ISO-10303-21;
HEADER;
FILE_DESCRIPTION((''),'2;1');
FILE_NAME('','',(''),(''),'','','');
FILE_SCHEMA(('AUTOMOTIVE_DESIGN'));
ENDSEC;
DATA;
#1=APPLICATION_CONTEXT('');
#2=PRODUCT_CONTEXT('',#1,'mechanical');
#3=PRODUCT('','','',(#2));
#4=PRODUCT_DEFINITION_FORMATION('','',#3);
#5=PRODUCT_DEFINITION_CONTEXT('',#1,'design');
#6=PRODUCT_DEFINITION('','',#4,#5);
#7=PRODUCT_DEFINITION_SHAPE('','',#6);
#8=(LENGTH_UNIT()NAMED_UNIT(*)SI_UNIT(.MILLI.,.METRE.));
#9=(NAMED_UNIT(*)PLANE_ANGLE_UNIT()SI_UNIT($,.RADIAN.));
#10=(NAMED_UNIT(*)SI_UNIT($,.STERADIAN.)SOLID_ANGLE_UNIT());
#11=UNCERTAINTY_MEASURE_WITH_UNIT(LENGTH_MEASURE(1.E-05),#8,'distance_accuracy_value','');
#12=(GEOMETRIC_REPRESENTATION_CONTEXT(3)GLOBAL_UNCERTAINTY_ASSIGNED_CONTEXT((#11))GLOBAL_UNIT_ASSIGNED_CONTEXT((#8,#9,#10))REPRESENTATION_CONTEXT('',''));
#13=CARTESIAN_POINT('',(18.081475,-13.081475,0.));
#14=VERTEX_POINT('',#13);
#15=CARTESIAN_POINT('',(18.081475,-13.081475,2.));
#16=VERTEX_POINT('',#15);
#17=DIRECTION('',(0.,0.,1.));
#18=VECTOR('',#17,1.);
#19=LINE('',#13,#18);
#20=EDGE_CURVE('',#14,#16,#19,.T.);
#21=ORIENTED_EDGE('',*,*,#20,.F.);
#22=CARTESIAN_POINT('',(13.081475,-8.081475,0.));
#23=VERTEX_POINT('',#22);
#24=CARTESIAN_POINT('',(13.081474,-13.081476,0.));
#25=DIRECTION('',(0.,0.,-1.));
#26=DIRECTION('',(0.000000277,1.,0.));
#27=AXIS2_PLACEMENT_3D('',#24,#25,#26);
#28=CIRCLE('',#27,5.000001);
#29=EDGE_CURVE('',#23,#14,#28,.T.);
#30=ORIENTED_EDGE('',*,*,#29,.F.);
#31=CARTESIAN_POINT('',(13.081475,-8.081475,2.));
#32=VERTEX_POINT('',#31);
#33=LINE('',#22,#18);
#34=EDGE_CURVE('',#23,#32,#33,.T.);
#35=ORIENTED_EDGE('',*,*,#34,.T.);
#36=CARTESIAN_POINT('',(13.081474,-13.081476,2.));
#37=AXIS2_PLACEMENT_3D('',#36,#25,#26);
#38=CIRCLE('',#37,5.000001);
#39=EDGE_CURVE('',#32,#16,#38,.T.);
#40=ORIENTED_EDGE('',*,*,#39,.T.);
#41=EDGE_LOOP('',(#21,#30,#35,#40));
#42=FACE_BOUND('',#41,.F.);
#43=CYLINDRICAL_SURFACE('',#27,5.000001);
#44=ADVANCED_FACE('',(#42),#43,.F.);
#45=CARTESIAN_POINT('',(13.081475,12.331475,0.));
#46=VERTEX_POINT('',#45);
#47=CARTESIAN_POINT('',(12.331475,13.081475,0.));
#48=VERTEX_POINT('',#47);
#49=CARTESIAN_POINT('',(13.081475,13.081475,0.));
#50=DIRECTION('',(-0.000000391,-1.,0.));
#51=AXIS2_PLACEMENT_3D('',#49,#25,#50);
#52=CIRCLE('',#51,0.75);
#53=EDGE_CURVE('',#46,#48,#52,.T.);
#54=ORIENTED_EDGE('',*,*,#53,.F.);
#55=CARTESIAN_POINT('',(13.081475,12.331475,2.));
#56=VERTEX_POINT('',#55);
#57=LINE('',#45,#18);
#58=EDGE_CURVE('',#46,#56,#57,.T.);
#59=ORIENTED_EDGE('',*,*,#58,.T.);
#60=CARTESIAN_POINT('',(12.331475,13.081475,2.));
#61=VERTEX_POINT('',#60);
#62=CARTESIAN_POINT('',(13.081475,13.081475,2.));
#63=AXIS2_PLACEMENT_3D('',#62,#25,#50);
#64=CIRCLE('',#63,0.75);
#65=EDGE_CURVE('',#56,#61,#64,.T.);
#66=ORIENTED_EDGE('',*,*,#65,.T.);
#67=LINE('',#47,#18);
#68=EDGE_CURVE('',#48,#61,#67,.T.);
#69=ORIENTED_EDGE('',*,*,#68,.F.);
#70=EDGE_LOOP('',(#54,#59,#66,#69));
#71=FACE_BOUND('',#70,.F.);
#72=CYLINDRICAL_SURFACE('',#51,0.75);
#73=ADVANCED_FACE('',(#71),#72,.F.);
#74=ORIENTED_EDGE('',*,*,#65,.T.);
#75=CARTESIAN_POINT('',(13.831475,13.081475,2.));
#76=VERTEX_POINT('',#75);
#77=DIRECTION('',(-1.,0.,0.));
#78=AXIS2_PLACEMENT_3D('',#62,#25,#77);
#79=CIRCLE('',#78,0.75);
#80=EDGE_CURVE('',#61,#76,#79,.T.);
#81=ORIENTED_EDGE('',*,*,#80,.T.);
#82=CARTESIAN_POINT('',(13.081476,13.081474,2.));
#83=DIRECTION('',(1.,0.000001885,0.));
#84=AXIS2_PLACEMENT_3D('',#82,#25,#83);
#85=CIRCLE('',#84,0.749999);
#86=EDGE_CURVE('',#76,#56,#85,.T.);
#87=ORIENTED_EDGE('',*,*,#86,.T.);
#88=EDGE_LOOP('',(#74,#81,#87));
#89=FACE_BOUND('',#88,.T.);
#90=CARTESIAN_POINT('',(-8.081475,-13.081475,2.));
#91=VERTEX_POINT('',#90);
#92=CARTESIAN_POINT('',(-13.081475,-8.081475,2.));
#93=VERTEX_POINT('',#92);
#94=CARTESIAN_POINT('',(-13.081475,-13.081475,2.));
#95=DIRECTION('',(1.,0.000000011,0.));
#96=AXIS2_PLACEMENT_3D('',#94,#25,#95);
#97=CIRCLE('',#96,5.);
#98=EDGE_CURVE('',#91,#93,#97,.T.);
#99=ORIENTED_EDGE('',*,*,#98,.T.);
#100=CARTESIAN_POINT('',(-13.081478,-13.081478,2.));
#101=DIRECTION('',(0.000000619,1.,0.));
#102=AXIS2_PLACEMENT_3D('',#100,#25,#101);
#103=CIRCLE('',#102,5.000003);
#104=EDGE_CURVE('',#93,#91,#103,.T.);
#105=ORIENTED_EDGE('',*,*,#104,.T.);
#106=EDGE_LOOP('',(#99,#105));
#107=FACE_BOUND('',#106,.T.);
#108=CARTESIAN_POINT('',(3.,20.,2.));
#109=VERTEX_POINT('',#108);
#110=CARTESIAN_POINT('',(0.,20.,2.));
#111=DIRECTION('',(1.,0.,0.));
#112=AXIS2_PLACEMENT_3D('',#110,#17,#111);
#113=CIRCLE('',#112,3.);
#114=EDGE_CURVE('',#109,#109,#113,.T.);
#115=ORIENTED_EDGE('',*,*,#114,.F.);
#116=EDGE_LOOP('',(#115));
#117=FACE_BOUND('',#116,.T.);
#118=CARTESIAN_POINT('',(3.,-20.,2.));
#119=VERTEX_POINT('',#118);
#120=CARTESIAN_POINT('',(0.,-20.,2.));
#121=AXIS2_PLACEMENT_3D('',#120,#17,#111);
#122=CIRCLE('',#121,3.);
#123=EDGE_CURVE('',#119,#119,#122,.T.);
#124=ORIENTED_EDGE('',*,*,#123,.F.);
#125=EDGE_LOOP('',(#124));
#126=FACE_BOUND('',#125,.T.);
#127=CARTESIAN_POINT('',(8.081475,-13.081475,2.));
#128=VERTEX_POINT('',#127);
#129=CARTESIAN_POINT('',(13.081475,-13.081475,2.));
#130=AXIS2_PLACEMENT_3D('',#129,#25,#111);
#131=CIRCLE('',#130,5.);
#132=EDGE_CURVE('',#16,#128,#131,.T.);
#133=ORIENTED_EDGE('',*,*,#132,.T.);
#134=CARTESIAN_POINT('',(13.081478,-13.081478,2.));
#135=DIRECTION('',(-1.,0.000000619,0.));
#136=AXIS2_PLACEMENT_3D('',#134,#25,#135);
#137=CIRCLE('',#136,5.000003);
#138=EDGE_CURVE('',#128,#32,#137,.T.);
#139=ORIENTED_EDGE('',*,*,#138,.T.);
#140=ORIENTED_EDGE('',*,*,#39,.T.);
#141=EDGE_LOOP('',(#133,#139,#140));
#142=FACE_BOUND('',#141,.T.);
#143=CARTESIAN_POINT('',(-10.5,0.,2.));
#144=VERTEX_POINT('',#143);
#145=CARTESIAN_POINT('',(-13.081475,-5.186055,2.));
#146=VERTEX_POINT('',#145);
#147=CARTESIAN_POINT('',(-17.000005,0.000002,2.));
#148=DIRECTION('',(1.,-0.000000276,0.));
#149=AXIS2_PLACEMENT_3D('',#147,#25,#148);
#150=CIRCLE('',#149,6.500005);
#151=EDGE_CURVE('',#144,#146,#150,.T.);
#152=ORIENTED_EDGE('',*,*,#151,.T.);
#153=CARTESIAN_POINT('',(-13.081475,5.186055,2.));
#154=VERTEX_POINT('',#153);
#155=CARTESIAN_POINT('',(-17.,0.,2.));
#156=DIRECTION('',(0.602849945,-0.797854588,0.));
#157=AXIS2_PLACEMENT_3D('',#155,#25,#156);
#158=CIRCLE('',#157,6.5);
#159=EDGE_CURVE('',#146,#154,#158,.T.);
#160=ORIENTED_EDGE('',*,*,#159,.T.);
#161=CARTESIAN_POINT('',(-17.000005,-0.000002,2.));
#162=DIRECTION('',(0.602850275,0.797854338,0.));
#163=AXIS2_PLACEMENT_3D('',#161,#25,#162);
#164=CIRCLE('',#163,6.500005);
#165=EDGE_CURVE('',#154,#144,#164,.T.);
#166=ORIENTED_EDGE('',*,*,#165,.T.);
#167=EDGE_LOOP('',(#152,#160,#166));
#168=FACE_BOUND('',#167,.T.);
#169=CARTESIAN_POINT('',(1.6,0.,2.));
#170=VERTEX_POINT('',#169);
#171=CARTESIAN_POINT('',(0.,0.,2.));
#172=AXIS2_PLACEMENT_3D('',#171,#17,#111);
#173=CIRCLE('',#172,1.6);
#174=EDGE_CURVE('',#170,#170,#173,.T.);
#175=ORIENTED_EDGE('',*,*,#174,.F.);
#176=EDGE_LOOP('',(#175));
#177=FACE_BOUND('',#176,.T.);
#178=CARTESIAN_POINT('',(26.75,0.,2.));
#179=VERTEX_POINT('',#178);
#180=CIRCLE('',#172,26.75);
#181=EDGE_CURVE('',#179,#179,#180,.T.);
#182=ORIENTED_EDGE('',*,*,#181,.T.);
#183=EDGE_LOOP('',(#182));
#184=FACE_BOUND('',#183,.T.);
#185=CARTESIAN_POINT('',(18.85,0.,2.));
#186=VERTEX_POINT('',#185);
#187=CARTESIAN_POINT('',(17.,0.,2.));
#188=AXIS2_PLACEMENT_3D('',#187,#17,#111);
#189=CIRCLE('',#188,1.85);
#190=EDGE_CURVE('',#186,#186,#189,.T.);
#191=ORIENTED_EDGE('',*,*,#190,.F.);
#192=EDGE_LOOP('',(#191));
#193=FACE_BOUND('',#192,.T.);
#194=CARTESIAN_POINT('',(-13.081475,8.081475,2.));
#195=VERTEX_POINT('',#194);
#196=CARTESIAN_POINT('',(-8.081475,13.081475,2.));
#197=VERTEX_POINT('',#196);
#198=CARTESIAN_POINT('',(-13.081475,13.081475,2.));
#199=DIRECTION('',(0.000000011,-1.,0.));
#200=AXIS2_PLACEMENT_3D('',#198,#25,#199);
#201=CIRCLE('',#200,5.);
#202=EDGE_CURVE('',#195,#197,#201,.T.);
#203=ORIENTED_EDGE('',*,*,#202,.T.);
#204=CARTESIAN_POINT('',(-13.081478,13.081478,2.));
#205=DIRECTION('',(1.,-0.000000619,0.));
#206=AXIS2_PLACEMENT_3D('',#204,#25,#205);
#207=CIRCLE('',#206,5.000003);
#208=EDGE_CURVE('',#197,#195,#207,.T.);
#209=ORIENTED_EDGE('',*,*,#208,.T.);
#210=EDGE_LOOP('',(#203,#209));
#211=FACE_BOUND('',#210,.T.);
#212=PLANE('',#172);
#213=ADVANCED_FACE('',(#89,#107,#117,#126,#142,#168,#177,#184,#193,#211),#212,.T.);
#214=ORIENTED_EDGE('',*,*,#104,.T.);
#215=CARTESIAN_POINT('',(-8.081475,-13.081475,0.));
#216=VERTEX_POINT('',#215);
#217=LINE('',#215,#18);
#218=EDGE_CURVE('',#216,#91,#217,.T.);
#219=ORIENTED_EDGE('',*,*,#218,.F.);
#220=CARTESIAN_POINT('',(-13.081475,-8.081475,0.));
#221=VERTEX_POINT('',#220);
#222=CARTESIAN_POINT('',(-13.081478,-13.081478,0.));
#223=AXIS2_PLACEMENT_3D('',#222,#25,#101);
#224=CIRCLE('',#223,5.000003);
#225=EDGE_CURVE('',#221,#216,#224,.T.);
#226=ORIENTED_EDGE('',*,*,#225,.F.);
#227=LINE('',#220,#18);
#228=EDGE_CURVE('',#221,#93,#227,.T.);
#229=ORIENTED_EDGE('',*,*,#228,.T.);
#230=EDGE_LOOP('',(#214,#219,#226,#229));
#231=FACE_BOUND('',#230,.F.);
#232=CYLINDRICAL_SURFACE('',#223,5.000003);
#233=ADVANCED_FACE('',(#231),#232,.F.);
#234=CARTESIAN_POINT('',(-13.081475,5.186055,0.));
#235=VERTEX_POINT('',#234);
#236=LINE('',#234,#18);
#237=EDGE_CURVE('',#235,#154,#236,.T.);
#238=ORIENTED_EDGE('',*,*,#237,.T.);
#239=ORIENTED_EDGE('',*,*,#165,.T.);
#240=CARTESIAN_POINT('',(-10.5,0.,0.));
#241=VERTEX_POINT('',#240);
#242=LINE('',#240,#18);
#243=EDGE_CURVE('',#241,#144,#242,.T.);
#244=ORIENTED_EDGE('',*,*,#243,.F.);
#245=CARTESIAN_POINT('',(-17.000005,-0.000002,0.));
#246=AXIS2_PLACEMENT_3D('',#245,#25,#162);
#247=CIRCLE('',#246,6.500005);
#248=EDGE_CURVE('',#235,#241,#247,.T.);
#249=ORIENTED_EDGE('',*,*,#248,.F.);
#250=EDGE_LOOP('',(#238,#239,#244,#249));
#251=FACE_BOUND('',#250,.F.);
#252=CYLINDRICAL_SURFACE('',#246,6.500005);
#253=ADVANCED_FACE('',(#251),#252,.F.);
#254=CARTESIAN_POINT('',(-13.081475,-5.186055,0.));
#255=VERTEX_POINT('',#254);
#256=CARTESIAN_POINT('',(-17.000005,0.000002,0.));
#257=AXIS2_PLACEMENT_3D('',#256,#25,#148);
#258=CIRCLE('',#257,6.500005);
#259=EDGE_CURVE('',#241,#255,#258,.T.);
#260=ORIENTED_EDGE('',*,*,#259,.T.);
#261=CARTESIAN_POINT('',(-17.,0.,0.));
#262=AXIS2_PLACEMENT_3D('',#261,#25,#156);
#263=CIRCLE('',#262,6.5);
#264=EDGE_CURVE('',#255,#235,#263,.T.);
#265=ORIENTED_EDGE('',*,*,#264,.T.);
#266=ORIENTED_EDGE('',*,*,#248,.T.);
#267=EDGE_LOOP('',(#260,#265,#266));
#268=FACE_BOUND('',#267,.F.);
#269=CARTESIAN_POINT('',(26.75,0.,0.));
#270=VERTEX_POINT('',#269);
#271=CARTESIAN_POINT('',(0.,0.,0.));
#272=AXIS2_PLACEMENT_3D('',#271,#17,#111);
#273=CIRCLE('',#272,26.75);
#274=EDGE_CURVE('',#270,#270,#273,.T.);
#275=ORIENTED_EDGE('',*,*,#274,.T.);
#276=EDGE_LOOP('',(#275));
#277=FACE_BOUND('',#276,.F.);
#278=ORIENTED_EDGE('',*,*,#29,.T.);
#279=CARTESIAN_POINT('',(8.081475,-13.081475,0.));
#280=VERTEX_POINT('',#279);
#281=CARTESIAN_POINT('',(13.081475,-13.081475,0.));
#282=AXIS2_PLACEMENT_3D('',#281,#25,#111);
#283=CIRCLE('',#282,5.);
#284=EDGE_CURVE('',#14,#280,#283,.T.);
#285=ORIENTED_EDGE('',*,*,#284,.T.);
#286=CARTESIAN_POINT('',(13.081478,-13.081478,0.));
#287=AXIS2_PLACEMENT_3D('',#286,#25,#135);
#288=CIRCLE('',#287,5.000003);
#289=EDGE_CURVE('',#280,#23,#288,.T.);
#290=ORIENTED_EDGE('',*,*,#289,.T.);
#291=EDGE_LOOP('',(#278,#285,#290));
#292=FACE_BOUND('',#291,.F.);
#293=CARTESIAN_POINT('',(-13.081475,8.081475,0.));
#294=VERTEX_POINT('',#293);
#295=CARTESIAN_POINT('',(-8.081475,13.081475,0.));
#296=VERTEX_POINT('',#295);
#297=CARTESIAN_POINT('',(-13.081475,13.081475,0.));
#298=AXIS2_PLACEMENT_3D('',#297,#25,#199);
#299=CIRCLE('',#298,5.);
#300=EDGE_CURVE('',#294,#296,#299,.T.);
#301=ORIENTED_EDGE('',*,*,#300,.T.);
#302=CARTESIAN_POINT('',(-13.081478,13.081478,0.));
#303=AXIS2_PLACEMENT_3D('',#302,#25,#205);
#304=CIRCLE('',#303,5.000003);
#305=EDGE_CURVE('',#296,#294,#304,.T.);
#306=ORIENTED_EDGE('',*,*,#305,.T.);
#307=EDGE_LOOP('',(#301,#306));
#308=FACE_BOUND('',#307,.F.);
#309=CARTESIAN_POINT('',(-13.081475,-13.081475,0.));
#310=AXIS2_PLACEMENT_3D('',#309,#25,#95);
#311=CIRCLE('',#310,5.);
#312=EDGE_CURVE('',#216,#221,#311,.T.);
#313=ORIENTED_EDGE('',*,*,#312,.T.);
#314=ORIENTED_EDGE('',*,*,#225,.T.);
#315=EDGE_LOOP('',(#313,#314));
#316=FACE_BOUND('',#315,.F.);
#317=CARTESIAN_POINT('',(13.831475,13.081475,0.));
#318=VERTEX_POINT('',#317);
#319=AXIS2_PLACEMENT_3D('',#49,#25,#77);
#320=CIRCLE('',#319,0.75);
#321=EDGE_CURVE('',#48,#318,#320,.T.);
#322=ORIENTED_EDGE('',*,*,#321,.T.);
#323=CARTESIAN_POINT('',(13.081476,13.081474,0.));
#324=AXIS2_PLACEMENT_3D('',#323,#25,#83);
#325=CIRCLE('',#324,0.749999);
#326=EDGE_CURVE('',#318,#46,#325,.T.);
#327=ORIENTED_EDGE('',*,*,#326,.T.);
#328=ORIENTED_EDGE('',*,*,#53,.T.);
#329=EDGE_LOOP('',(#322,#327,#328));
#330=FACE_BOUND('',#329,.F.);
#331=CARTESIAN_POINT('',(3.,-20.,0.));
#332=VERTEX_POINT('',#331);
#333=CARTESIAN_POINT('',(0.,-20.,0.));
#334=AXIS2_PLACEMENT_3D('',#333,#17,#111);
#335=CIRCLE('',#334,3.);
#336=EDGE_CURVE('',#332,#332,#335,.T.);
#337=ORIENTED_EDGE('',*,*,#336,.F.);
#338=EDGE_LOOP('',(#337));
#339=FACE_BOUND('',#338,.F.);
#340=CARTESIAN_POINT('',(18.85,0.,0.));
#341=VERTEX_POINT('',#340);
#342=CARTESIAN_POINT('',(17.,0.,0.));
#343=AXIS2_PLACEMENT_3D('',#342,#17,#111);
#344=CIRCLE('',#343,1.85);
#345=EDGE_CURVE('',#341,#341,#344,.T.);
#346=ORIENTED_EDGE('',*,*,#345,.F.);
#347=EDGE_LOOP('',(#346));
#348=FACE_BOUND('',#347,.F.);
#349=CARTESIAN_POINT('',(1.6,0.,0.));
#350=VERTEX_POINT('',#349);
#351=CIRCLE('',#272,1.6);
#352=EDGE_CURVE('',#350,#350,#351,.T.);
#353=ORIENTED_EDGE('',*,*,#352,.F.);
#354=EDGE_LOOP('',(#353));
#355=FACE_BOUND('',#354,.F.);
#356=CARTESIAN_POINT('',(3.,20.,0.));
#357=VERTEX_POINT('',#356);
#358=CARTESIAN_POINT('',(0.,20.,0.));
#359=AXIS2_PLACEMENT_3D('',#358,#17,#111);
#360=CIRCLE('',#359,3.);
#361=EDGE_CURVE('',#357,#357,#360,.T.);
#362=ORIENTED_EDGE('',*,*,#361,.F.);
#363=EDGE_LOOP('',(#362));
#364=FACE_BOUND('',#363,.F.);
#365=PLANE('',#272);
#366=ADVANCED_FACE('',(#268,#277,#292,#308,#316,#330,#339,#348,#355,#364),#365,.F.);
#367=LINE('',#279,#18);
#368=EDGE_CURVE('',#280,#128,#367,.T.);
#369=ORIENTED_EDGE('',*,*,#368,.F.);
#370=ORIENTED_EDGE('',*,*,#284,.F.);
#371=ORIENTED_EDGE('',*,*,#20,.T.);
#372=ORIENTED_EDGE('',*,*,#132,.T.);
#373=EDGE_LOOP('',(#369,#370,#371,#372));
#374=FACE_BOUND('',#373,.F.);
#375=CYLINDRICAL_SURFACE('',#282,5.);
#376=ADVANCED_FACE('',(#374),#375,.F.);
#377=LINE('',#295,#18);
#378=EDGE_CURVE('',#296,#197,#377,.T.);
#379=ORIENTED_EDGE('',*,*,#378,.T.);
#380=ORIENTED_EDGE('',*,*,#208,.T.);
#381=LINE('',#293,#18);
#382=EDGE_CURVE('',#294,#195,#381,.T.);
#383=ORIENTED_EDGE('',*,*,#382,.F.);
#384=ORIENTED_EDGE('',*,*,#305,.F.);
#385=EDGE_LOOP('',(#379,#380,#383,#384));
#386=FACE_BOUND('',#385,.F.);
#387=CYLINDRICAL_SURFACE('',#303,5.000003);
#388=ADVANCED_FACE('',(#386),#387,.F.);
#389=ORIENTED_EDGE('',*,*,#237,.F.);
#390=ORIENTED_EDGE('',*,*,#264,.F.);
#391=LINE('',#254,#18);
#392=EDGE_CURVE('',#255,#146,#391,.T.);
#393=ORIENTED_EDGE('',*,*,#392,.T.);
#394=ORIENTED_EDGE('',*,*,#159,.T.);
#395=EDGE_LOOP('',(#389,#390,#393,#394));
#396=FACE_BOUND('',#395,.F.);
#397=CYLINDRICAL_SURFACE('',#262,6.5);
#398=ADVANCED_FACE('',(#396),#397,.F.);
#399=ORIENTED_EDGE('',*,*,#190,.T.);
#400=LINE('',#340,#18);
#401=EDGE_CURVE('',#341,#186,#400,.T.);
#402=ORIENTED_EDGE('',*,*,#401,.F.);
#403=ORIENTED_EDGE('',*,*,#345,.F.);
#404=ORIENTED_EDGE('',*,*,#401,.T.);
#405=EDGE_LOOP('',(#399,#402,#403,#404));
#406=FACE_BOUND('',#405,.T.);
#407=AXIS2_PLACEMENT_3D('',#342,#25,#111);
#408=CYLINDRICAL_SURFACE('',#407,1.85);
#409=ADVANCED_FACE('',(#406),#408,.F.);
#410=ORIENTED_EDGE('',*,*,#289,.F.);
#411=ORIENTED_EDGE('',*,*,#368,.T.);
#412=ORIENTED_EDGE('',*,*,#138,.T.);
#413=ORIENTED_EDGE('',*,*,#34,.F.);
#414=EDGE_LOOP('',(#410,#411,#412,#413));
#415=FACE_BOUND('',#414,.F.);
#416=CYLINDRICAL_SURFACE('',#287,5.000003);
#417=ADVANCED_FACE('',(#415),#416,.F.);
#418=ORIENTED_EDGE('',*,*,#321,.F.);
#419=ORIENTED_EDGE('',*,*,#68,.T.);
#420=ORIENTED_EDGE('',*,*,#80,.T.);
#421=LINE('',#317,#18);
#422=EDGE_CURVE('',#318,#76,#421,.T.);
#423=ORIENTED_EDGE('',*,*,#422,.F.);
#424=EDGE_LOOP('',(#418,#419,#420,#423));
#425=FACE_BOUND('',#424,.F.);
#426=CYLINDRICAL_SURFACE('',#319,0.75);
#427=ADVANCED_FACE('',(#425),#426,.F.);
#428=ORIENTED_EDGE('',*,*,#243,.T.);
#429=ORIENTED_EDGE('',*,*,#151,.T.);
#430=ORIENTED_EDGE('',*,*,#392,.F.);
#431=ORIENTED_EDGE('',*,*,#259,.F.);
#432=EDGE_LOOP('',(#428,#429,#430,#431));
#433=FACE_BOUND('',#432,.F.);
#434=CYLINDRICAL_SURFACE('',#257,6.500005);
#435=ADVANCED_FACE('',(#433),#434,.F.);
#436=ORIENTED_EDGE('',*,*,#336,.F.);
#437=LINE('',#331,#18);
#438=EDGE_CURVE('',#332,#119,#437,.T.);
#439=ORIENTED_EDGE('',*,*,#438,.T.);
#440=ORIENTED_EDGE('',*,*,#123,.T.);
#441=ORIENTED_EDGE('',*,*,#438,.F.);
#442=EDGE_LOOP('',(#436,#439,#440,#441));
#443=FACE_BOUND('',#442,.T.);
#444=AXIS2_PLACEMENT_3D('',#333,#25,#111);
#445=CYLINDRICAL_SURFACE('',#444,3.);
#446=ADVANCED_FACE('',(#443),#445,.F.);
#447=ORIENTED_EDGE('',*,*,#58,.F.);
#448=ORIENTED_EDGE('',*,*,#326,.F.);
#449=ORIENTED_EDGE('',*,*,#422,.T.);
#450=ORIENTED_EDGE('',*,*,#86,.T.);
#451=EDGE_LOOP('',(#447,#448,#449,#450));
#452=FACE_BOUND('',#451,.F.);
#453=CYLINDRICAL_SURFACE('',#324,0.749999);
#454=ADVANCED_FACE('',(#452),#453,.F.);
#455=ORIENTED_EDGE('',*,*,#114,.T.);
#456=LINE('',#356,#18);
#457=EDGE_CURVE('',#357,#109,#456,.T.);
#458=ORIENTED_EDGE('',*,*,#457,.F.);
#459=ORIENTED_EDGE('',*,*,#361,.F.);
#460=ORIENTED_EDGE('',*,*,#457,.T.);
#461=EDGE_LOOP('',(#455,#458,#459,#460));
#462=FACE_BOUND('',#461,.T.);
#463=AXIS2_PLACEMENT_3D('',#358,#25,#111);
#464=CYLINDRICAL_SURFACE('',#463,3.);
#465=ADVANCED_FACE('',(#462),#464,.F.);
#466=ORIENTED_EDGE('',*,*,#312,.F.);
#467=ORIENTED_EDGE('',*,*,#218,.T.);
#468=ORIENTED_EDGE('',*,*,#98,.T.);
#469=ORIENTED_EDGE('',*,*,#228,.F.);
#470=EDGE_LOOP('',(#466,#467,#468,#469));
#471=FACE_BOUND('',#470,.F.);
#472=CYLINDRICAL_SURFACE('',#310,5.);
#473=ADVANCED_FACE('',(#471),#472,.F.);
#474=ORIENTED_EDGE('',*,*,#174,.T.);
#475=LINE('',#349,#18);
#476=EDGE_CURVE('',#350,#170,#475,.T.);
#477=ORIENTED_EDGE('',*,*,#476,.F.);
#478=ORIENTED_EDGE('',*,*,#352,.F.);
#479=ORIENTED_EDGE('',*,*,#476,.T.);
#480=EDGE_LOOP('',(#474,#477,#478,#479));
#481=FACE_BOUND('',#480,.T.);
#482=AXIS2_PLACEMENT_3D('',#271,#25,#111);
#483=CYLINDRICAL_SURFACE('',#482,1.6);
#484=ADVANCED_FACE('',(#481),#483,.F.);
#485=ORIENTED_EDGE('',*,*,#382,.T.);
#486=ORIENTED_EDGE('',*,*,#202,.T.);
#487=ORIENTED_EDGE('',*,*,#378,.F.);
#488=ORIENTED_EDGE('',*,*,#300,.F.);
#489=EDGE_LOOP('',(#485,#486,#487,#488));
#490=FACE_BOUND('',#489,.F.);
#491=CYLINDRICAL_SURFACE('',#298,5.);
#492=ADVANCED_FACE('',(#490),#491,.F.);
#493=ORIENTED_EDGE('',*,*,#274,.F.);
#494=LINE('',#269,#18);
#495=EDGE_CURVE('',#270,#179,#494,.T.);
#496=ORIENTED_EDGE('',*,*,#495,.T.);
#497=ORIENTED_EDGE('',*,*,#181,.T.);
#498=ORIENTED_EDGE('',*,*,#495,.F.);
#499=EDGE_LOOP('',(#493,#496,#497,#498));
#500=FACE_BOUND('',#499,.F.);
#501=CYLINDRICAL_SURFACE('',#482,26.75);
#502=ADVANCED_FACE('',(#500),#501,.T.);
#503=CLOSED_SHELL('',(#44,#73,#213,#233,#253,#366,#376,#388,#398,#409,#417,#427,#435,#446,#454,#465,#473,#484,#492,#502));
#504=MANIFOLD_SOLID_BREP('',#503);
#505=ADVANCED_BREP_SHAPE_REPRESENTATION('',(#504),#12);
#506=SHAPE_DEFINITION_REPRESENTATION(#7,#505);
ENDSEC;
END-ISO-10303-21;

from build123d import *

# Parameters (mm, degrees)
F0_R     = 26.75
F0_R_2   = 3
F0_R_3   = 1.85
F0_R_4   = 1.6
F1_DEPTH = 2


with BuildPart() as f1:
    # F0 (on Top) → F1 (new body)
    with BuildSketch(Plane.XY):
        Circle(F0_R)
        with Locations((0, -20)):
            Circle(F0_R_2, mode=Mode.SUBTRACT)
        with BuildLine():
            ThreePointArc((-13.081475, 8.081475), (-16.617009, 16.617009), (-8.081475, 13.081475))
            Line((-8.081475, 13.081475), (12.331475, 13.081475))
            ThreePointArc((12.331475, 13.081475), (13.081475, 13.831475), (13.831475, 13.081475))
            ThreePointArc((13.831475, 13.081475), (13.611806, 12.551145), (13.081475, 12.331475))
            Line((13.081475, 12.331475), (13.081475, -8.081475))
            ThreePointArc((13.081475, -8.081475), (16.617009, -9.545942), (18.081475, -13.081475))
            ThreePointArc((18.081475, -13.081475), (13.081475, -18.081475), (8.081475, -13.081475))
            Line((8.081475, -13.081475), (-8.081475, -13.081475))
            ThreePointArc((-8.081475, -13.081475), (-16.617009, -16.617009), (-13.081475, -8.081475))
            Line((-13.081475, -8.081475), (-13.081475, -5.186055))
            ThreePointArc((-13.081475, -5.186055), (-23.5, 0), (-13.081475, 5.186055))
            Line((-13.081475, 5.186055), (-13.081475, 8.081475))
        make_face(mode=Mode.SUBTRACT)
        with Locations((17, 0)):
            Circle(F0_R_3, mode=Mode.SUBTRACT)
        with Locations((0, 20)):
            Circle(F0_R_2, mode=Mode.SUBTRACT)
        with BuildLine():
            Line((12.331475, 13.081475), (-8.081475, 13.081475))
            ThreePointArc((-8.081475, 13.081475), (-9.545942, 9.545942), (-13.081475, 8.081475))
            Line((-13.081475, 8.081475), (-13.081475, 5.186055))
            ThreePointArc((-13.081475, 5.186055), (-11.181048, 2.896514), (-10.5, 0))
            ThreePointArc((-10.5, 0), (-11.181048, -2.896514), (-13.081475, -5.186055))
            Line((-13.081475, -5.186055), (-13.081475, -8.081475))
            ThreePointArc((-13.081475, -8.081475), (-9.545942, -9.545942), (-8.081475, -13.081475))
            Line((-8.081475, -13.081475), (8.081475, -13.081475))
            ThreePointArc((8.081475, -13.081475), (9.545942, -9.545942), (13.081475, -8.081475))
            Line((13.081475, -8.081475), (13.081475, 12.331475))
            ThreePointArc((13.081475, 12.331475), (12.551145, 12.551145), (12.331475, 13.081475))
        make_face()
        Circle(F0_R_4, mode=Mode.SUBTRACT)
    extrude(amount=F1_DEPTH)


solid = f1.part
